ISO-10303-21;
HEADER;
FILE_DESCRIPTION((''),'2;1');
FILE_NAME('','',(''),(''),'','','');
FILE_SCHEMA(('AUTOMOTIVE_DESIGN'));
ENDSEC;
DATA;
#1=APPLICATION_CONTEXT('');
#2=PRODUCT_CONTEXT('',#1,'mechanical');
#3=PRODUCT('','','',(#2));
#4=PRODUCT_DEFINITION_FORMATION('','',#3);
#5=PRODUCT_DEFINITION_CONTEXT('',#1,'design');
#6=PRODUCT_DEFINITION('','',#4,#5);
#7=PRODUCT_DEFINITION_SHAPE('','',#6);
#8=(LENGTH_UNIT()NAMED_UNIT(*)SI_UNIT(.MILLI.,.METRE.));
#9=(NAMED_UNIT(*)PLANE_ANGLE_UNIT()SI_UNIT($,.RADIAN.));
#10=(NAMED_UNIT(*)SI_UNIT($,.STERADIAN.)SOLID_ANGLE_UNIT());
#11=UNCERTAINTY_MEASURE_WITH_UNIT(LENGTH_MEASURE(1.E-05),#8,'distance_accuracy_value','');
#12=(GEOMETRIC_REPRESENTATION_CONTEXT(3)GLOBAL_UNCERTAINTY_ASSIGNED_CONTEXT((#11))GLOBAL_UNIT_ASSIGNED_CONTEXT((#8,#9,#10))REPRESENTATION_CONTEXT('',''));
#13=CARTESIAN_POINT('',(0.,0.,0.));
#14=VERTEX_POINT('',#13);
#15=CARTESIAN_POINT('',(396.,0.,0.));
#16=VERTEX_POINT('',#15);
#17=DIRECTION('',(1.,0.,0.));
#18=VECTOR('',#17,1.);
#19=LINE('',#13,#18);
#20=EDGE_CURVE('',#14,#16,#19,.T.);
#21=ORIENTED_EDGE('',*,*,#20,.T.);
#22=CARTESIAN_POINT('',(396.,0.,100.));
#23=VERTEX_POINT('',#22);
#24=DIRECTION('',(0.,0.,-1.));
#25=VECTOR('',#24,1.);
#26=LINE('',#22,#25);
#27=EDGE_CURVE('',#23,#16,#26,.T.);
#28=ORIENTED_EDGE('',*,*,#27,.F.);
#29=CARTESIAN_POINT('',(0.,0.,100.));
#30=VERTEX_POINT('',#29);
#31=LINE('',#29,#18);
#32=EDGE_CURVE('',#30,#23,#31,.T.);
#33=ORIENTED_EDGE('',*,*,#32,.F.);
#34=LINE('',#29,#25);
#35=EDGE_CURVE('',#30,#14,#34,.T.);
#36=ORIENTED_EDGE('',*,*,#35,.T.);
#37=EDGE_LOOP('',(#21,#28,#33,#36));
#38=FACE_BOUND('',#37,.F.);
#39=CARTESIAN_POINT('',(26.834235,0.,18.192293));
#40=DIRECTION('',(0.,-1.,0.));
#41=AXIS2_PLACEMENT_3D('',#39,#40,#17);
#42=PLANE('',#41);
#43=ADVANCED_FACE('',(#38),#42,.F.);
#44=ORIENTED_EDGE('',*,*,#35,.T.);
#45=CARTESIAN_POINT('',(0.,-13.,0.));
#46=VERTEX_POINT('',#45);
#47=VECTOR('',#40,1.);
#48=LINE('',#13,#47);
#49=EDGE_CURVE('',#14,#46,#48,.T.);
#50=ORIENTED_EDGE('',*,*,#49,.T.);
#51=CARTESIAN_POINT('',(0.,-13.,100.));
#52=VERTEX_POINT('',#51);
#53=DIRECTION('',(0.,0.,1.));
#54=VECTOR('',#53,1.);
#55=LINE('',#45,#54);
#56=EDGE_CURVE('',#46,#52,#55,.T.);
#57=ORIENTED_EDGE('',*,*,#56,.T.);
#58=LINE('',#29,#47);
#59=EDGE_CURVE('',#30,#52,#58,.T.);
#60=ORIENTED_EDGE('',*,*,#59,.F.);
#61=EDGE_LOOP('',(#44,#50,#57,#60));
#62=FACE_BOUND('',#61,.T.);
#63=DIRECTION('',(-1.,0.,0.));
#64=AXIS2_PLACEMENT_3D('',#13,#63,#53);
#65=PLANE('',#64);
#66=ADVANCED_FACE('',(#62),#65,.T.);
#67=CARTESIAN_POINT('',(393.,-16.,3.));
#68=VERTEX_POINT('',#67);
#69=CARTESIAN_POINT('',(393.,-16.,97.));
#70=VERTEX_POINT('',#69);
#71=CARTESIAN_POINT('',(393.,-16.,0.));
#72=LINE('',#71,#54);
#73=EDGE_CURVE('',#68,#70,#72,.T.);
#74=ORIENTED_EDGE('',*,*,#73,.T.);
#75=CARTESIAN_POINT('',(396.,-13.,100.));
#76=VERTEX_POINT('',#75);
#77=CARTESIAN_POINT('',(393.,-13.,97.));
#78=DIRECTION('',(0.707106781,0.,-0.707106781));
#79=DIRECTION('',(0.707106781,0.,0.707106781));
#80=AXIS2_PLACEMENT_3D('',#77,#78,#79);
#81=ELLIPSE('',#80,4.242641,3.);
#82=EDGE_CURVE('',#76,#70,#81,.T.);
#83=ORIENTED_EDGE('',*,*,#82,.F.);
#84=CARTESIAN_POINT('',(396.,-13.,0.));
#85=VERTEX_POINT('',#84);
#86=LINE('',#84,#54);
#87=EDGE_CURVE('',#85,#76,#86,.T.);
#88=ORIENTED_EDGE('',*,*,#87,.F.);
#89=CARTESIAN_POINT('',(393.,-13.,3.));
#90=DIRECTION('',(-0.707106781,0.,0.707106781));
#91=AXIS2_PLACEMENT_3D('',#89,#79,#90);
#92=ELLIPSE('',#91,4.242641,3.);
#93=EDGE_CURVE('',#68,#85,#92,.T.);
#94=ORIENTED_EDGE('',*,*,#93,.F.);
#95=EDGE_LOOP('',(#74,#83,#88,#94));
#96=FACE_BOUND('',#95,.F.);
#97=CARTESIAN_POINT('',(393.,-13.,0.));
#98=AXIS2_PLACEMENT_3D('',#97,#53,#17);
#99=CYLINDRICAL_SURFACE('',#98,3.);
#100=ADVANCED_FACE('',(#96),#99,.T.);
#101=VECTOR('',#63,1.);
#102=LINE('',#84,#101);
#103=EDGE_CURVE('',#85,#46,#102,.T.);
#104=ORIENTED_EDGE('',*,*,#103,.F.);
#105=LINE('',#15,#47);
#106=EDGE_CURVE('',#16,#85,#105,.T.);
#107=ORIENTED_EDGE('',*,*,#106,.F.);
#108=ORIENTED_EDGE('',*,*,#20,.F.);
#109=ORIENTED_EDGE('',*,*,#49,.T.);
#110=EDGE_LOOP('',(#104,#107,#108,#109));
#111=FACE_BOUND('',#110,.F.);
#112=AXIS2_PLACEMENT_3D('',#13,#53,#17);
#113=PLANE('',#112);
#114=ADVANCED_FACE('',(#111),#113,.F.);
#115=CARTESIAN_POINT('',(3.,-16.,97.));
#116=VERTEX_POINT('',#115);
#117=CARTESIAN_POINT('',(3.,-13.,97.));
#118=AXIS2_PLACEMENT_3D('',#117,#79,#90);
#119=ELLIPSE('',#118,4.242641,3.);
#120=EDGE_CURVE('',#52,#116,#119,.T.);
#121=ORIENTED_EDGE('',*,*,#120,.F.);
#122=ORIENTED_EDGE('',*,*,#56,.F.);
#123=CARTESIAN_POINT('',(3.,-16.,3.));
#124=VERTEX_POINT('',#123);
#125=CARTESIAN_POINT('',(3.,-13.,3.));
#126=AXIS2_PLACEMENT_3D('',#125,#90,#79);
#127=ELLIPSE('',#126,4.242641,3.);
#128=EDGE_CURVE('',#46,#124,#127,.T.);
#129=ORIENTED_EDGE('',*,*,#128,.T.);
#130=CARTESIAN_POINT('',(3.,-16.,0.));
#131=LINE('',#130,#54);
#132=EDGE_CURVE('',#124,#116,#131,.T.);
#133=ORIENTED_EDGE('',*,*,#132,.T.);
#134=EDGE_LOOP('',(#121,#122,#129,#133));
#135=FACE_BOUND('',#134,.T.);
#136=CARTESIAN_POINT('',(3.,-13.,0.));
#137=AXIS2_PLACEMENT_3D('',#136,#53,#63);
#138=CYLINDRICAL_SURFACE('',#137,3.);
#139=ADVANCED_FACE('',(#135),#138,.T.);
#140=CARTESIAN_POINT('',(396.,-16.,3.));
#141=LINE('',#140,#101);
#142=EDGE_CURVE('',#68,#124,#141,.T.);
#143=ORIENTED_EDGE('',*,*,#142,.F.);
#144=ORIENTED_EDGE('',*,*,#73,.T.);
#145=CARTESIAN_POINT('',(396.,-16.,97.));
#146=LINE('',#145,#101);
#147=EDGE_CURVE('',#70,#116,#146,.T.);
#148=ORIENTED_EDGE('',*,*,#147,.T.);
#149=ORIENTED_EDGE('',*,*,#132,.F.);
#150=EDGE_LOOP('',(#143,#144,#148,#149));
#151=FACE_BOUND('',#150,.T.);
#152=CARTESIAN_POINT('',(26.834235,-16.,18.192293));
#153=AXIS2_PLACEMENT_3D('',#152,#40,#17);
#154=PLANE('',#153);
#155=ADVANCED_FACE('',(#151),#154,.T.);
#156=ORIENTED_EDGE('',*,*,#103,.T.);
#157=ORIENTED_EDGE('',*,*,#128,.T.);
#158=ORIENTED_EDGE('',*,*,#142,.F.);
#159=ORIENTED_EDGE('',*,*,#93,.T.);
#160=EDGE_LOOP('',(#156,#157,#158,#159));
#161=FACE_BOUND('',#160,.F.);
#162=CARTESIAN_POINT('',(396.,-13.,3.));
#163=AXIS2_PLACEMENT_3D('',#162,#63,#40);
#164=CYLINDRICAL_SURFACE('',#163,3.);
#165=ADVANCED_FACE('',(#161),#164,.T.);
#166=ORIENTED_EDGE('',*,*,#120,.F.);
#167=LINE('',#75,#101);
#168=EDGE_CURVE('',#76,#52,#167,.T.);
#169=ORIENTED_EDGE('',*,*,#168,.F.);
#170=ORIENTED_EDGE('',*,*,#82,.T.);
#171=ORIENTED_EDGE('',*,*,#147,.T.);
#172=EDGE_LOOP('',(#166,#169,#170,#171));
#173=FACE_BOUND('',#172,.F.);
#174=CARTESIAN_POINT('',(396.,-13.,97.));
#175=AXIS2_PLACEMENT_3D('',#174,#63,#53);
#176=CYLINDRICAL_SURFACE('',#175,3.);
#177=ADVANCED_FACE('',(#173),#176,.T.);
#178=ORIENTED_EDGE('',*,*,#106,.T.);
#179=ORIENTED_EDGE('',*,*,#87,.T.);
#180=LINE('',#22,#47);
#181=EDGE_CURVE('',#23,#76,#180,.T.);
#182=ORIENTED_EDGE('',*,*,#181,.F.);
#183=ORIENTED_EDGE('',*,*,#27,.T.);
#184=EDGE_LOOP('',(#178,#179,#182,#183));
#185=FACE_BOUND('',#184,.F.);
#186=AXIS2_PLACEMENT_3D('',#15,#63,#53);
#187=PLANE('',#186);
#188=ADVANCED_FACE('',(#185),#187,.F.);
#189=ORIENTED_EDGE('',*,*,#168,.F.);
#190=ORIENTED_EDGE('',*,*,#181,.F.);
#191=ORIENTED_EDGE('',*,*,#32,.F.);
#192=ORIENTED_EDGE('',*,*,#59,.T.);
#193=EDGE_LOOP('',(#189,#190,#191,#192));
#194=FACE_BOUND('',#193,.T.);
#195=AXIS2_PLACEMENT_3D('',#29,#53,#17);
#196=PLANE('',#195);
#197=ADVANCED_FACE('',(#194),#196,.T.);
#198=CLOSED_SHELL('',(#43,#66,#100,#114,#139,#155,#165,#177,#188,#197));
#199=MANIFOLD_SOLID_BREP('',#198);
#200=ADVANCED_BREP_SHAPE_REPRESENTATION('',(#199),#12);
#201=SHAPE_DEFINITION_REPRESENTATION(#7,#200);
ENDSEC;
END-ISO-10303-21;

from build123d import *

# Parameters (mm, degrees)
F0_W     = 53.6684691906
F0_H     = 36.3845862448
F1_DEPTH = 16
F2_DEPTH = 396
F3_DEPTH = 100
F4_R     = 3


with BuildPart() as f1:
    # F0 (on Front) → F1 (new body)
    with BuildSketch(Plane.XZ):
        with Locations((26.8342345953, 18.1922931224)):
            Rectangle(F0_W, F0_H)
    extrude(amount=F1_DEPTH)

    # F2 (add): a face of the model
    f2_faces = [f1.faces().sort_by_distance(p)[0] for p in [
        (0, -8, 18.1922931224),
    ]]
    extrude(f2_faces, amount=-F2_DEPTH)

    # F3 (add): a face of the model
    f3_faces = [f1.faces().sort_by_distance(p)[0] for p in [
        (198, -8, 0),
    ]]
    extrude(f3_faces, amount=-F3_DEPTH)

    # F4
    f4_edges = [f1.edges().sort_by_distance(p)[0] for p in [
        (0, -16, 50),
        (198, -16, 0),
        (396, -16, 50),
        (198, -16, 100),
    ]]
    fillet(f4_edges, radius=F4_R)


solid = f1.part
